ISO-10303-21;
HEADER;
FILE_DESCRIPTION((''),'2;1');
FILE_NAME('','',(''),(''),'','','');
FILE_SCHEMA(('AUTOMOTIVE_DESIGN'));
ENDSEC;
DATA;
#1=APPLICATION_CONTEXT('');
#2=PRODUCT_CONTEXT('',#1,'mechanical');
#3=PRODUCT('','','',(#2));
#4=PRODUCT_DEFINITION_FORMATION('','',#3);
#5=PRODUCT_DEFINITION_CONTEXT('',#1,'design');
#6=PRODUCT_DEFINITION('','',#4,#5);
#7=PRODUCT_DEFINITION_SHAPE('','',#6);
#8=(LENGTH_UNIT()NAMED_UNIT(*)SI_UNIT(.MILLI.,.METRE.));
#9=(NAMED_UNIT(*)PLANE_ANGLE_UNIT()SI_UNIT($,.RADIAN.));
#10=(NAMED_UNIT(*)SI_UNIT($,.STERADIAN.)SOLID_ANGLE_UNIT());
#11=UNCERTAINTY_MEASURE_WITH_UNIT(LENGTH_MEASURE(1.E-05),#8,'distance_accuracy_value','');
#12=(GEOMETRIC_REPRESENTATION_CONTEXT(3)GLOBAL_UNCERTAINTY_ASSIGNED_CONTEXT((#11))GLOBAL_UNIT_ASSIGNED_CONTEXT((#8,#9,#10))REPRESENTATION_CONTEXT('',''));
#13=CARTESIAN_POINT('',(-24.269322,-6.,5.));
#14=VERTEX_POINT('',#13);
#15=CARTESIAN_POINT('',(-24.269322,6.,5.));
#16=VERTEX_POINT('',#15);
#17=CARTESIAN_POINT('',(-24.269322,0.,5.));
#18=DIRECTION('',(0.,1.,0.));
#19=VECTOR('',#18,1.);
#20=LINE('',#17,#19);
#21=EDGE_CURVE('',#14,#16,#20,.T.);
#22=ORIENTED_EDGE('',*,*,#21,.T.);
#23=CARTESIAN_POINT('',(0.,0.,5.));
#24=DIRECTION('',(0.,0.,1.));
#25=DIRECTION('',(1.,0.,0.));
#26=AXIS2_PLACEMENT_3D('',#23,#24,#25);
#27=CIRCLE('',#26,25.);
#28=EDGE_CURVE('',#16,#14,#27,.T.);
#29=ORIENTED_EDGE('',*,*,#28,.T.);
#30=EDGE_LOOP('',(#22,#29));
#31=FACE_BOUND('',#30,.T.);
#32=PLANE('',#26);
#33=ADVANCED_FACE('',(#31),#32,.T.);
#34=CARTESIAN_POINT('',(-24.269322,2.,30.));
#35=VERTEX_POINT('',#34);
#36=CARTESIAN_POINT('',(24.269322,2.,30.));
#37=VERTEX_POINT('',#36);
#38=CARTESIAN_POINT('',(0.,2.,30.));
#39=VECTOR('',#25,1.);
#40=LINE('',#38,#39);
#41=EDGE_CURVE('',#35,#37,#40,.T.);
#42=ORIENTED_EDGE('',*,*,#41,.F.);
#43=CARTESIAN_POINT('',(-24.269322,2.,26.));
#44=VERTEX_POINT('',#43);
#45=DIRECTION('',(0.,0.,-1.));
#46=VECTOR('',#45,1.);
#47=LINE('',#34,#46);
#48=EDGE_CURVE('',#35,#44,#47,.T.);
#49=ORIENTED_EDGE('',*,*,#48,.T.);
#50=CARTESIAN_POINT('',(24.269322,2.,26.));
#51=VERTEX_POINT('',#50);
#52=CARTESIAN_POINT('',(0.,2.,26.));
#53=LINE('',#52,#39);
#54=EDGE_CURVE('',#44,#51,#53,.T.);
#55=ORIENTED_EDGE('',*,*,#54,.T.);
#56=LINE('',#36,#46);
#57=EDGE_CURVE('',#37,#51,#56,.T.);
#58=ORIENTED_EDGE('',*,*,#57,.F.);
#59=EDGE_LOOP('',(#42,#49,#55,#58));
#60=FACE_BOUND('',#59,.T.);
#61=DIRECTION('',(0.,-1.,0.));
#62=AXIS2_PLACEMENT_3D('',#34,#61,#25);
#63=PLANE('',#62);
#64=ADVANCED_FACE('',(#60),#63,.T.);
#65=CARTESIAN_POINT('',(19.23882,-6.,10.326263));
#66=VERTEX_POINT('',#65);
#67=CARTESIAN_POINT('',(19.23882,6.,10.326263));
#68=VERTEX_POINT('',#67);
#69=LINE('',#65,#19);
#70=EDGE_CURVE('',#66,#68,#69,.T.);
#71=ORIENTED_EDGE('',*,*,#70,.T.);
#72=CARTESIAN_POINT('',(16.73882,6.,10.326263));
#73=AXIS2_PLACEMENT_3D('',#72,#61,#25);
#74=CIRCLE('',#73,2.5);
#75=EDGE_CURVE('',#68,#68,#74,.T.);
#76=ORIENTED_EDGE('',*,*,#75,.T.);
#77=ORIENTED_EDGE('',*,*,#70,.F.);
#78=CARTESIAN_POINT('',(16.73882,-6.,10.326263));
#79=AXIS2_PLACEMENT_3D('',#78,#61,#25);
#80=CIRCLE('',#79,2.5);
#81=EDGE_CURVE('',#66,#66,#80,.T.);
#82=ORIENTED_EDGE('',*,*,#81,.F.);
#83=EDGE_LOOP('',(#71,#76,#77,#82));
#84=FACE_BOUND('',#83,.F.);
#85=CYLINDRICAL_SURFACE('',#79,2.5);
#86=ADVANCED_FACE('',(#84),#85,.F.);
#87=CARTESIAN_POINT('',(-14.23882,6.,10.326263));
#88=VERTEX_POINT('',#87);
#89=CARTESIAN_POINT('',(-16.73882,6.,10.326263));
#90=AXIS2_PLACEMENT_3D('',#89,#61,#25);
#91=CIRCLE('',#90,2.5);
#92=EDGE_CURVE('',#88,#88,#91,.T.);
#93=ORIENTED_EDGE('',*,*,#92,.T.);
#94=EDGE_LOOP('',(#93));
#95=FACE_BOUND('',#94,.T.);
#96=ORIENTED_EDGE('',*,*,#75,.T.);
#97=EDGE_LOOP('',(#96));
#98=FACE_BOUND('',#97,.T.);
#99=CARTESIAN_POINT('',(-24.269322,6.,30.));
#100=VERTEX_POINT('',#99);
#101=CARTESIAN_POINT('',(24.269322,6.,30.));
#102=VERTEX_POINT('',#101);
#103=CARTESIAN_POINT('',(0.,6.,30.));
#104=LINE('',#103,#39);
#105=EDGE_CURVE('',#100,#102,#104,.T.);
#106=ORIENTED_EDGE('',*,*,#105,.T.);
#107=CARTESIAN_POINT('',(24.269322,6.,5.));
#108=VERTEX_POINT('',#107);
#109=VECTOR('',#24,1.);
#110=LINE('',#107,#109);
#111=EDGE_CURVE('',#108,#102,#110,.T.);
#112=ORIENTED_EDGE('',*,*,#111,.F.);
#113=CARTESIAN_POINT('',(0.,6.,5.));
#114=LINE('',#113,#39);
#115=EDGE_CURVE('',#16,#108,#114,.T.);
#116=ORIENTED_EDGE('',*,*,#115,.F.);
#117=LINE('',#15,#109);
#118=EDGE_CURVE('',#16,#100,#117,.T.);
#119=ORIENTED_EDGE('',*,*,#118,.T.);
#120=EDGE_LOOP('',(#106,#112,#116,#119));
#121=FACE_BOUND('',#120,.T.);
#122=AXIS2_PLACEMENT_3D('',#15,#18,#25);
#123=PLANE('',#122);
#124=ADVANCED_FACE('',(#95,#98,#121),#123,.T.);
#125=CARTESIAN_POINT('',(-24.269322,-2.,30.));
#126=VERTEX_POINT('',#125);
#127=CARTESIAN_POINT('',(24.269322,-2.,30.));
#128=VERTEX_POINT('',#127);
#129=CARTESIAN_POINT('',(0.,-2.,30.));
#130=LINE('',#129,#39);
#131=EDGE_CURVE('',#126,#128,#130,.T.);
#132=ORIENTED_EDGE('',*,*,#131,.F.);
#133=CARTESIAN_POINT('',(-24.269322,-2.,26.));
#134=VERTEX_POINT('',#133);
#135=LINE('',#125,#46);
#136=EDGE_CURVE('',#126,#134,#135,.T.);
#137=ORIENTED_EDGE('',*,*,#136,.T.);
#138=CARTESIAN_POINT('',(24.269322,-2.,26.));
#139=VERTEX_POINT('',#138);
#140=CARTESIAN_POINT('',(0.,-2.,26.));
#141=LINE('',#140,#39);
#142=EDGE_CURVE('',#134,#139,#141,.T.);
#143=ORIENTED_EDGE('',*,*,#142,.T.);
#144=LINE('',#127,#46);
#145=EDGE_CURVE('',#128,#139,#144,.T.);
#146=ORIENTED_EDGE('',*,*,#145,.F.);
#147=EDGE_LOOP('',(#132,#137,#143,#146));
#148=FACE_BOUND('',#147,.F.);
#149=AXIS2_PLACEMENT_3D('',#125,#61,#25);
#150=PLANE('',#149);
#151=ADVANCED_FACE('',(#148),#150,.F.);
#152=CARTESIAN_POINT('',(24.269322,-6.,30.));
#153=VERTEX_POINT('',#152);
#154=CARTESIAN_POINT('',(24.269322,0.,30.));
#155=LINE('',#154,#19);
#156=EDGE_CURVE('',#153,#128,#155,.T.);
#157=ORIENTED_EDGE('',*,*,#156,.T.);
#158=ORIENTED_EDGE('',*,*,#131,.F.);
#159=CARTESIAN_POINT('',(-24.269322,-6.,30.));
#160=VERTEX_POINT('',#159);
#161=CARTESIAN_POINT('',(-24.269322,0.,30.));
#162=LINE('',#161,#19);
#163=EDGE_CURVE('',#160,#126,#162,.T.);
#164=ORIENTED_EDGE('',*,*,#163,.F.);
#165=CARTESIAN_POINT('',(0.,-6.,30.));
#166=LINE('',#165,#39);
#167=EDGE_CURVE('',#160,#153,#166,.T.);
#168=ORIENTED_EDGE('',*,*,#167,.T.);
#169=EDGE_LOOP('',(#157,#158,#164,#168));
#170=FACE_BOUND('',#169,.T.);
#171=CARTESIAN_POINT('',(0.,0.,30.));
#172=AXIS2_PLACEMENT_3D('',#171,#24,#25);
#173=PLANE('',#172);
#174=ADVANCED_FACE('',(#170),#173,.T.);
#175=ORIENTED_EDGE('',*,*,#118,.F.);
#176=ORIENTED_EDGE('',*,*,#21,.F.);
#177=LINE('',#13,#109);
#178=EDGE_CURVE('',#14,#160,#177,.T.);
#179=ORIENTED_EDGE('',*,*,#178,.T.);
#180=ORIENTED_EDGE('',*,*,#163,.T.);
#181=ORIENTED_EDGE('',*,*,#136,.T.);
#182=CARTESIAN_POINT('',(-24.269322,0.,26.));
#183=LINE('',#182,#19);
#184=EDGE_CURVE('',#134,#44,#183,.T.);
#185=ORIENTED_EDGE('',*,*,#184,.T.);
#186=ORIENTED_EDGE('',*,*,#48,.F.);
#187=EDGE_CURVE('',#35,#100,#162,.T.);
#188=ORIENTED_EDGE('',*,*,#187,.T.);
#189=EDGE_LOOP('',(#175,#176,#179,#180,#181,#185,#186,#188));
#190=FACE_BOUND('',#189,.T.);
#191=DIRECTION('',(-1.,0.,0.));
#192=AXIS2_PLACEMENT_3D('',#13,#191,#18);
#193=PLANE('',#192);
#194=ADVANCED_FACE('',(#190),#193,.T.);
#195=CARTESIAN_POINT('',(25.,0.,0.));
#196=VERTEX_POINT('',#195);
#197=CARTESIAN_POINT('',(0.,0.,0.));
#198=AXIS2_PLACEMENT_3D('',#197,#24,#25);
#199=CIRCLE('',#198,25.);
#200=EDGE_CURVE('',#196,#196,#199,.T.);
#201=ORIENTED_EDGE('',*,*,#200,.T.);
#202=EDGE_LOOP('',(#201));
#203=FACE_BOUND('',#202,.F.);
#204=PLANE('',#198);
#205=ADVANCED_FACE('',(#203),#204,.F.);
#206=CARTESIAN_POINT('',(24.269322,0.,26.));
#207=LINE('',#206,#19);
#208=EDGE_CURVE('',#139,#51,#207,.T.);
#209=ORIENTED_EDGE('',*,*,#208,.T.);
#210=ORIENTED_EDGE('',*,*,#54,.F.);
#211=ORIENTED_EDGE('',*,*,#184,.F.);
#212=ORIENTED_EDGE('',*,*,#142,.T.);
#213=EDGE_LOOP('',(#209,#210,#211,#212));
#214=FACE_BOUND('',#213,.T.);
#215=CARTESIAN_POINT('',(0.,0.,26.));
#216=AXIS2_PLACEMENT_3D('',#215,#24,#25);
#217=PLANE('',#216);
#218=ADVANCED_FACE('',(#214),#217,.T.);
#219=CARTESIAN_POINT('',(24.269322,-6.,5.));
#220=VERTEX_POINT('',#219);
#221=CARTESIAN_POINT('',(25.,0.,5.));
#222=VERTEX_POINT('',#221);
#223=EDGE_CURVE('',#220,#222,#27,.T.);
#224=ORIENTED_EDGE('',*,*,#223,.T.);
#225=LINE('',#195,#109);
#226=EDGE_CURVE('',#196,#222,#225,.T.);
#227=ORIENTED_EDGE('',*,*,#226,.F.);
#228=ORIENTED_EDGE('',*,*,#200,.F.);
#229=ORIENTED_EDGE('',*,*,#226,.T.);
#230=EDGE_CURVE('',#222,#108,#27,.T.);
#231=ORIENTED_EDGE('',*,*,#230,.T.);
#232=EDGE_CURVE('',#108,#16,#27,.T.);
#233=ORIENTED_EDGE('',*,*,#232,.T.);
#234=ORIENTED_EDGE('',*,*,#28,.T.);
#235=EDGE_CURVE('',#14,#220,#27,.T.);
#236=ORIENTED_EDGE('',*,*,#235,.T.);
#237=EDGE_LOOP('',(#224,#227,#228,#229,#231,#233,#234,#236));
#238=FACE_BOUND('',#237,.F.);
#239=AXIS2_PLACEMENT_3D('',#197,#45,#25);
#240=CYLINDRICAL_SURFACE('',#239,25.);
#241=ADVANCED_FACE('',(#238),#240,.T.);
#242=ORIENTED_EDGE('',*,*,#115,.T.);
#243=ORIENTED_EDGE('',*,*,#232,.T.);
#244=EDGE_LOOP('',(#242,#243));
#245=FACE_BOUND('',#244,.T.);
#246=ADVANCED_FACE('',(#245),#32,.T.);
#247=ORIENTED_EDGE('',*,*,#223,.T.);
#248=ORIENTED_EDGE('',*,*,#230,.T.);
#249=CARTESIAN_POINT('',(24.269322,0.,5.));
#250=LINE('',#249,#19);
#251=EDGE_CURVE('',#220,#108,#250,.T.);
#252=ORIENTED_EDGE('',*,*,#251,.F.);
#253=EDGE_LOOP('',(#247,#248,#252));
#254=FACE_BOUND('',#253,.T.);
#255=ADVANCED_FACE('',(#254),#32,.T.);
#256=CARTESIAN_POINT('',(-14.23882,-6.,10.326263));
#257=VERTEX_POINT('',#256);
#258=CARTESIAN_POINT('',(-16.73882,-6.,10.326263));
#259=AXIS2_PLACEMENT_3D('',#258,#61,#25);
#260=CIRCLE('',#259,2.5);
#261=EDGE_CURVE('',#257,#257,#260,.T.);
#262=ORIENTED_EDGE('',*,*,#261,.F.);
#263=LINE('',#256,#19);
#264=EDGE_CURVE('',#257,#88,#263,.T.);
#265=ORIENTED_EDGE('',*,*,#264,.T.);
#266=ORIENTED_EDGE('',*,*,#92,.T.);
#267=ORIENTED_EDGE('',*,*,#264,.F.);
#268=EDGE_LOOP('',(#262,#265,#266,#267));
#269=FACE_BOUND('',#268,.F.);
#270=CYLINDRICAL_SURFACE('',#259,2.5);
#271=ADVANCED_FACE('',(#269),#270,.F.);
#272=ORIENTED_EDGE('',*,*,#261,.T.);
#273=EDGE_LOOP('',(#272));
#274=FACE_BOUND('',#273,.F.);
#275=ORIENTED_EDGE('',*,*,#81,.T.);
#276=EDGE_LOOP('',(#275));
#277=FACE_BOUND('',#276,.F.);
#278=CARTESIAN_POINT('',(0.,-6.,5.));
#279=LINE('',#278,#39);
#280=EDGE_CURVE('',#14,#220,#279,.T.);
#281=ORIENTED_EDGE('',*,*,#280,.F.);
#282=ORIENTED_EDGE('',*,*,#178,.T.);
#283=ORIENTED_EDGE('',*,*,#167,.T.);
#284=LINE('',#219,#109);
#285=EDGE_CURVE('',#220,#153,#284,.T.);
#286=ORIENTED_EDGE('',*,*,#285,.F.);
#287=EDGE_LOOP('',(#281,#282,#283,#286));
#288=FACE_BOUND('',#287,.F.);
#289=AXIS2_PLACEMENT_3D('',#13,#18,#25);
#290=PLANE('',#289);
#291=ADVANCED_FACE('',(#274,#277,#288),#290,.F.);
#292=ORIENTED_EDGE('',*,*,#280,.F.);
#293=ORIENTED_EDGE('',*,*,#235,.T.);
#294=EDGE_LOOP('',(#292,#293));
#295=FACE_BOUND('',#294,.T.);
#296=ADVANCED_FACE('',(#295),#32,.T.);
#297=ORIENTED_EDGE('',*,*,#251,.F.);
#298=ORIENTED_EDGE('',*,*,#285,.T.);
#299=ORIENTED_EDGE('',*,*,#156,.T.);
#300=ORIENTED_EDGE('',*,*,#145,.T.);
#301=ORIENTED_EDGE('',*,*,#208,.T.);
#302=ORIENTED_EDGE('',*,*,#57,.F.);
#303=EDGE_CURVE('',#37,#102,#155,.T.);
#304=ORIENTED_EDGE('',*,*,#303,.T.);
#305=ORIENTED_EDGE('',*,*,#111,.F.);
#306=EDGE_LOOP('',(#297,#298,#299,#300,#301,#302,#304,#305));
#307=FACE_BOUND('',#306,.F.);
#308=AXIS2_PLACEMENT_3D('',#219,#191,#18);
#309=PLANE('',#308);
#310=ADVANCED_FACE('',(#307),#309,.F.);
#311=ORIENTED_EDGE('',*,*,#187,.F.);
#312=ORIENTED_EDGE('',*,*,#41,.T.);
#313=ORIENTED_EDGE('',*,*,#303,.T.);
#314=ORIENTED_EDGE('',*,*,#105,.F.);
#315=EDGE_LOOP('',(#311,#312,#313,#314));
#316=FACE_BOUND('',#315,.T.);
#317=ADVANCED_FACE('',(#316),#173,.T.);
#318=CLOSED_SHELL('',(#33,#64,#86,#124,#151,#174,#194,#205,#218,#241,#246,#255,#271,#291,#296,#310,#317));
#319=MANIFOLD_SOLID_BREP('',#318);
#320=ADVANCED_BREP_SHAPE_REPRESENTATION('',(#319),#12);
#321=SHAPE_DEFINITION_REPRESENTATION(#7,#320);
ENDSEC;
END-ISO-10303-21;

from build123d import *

# Parameters (mm, degrees)
F0_R     = 25
F1_DEPTH = 5
F2_W     = 48.538644
F2_H     = 12
F3_DEPTH = 25
F4_W     = 48.538644
F4_H     = 4
F5_DEPTH = 4
F6_R     = 2.5
F7_DEPTH = 31.001


with BuildPart() as f1:
    # F0 (on Top) → F1 (new body)
    with BuildSketch(Plane.XY):
        Circle(F0_R)
    extrude(amount=F1_DEPTH)

    # F2 (on face) → F3 (join)
    with BuildSketch(Plane.XY.offset(5)):
        Rectangle(F2_W, F2_H)
    extrude(amount=F3_DEPTH)

    # F4 (on face) → F5 (cut)
    with BuildSketch(Plane.XY.offset(30)):
        Rectangle(F4_W, F4_H)
    extrude(amount=-F5_DEPTH, mode=Mode.SUBTRACT)

    # F6 (on face) → F7 (cut, through all)
    with BuildSketch(Plane.XZ.offset(6)):
        with Locations((-16.73882, 10.326263)):
            Circle(F6_R)
        with Locations((16.73882, 10.326263)):
            Circle(F6_R)
    extrude(amount=-F7_DEPTH, mode=Mode.SUBTRACT)


solid = f1.part
